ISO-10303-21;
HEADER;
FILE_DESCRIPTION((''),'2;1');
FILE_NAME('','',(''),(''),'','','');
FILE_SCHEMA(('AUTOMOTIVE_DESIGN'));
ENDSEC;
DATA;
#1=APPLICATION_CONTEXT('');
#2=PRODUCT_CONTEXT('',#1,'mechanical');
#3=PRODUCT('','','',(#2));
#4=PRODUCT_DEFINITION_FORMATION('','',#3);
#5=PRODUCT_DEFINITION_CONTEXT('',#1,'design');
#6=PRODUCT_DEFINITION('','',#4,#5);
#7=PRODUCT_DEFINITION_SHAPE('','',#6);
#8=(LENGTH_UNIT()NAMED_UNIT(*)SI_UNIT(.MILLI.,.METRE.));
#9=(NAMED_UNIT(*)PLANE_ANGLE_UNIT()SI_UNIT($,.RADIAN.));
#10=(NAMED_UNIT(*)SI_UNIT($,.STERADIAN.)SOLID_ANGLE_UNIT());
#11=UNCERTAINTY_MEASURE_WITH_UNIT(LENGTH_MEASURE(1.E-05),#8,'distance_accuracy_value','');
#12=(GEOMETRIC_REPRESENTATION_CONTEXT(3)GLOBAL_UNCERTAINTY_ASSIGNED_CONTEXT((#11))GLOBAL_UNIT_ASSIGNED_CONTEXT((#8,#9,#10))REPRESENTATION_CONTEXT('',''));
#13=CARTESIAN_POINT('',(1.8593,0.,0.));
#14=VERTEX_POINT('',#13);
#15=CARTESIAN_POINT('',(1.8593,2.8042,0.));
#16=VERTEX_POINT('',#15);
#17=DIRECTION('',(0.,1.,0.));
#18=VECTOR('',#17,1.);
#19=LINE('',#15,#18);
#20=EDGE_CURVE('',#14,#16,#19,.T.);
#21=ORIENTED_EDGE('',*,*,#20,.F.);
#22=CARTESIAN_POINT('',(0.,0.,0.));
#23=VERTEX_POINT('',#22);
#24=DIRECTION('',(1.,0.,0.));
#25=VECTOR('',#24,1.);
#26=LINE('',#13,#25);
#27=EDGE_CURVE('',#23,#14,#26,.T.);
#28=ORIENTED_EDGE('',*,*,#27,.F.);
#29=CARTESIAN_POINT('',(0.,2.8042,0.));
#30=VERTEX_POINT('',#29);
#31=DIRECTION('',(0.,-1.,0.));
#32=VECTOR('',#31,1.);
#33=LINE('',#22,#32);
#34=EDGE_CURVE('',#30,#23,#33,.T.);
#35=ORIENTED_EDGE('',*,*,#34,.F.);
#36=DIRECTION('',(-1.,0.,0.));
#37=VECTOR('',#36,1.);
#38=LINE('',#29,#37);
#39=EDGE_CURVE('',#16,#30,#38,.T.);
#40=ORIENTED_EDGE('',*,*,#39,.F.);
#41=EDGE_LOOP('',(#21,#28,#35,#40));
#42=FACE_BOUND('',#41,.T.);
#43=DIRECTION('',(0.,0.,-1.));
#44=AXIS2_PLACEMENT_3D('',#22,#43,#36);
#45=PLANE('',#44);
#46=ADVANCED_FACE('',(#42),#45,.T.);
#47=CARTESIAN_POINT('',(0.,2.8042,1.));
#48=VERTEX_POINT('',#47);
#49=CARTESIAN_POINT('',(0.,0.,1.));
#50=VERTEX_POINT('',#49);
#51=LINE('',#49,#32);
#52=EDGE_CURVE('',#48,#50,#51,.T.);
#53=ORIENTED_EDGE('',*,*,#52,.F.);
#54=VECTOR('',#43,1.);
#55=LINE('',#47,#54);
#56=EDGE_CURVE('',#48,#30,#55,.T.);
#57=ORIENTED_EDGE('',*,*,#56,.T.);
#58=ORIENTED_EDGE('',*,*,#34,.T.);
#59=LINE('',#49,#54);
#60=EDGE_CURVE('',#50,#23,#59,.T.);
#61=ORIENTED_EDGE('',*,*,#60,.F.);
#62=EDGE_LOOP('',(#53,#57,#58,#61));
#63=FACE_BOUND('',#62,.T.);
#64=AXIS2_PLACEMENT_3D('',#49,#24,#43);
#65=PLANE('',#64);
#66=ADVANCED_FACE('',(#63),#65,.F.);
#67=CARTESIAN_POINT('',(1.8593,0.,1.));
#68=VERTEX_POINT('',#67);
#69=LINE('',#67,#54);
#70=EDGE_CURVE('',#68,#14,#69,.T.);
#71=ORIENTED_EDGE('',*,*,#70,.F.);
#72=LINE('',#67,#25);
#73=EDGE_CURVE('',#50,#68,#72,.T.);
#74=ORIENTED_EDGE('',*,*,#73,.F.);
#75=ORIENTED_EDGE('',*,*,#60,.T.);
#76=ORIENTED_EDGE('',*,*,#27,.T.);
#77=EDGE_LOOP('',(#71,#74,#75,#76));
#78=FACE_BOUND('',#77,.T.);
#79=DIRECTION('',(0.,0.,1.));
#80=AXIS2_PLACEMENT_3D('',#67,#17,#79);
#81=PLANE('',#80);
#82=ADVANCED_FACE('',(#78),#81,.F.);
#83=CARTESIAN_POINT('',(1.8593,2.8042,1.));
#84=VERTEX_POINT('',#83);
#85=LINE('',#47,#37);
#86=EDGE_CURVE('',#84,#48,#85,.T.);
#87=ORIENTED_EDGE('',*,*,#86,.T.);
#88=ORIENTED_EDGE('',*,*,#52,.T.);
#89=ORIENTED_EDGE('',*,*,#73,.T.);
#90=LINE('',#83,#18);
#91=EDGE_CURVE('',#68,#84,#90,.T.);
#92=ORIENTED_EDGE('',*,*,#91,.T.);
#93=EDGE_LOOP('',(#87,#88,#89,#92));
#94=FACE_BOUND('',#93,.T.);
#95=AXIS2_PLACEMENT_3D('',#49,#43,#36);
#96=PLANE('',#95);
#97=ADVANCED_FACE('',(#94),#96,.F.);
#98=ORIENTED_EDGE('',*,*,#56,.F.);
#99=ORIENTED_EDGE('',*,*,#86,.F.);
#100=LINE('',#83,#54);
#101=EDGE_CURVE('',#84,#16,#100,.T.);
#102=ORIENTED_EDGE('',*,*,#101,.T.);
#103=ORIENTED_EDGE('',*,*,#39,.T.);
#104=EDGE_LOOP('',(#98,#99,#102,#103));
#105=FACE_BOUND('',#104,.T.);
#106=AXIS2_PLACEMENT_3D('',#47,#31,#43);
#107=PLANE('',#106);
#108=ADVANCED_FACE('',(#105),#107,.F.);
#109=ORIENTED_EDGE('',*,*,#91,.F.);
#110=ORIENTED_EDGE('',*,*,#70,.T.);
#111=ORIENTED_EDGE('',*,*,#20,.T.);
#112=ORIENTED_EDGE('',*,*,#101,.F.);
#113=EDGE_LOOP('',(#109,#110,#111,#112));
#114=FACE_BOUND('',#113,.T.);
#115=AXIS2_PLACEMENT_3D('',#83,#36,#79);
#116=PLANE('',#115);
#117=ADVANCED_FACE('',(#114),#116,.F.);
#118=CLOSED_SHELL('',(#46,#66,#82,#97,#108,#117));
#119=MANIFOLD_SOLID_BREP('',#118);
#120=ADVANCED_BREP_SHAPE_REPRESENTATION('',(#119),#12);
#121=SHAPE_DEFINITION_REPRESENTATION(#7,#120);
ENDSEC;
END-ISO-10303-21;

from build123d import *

# Parameters (mm, degrees)
SKETCH1_W               = 1.8593
SKETCH1_H               = 2.8042
COMPONENT_OUTLINE_DEPTH = 1


with BuildPart() as part:
    # Sketch1 → Component_Outline (new body)
    with BuildSketch(Plane.XY):
        with Locations((0.92965, 1.4021)):
            Rectangle(SKETCH1_W, SKETCH1_H)
    extrude(amount=COMPONENT_OUTLINE_DEPTH)


solid = part.part
